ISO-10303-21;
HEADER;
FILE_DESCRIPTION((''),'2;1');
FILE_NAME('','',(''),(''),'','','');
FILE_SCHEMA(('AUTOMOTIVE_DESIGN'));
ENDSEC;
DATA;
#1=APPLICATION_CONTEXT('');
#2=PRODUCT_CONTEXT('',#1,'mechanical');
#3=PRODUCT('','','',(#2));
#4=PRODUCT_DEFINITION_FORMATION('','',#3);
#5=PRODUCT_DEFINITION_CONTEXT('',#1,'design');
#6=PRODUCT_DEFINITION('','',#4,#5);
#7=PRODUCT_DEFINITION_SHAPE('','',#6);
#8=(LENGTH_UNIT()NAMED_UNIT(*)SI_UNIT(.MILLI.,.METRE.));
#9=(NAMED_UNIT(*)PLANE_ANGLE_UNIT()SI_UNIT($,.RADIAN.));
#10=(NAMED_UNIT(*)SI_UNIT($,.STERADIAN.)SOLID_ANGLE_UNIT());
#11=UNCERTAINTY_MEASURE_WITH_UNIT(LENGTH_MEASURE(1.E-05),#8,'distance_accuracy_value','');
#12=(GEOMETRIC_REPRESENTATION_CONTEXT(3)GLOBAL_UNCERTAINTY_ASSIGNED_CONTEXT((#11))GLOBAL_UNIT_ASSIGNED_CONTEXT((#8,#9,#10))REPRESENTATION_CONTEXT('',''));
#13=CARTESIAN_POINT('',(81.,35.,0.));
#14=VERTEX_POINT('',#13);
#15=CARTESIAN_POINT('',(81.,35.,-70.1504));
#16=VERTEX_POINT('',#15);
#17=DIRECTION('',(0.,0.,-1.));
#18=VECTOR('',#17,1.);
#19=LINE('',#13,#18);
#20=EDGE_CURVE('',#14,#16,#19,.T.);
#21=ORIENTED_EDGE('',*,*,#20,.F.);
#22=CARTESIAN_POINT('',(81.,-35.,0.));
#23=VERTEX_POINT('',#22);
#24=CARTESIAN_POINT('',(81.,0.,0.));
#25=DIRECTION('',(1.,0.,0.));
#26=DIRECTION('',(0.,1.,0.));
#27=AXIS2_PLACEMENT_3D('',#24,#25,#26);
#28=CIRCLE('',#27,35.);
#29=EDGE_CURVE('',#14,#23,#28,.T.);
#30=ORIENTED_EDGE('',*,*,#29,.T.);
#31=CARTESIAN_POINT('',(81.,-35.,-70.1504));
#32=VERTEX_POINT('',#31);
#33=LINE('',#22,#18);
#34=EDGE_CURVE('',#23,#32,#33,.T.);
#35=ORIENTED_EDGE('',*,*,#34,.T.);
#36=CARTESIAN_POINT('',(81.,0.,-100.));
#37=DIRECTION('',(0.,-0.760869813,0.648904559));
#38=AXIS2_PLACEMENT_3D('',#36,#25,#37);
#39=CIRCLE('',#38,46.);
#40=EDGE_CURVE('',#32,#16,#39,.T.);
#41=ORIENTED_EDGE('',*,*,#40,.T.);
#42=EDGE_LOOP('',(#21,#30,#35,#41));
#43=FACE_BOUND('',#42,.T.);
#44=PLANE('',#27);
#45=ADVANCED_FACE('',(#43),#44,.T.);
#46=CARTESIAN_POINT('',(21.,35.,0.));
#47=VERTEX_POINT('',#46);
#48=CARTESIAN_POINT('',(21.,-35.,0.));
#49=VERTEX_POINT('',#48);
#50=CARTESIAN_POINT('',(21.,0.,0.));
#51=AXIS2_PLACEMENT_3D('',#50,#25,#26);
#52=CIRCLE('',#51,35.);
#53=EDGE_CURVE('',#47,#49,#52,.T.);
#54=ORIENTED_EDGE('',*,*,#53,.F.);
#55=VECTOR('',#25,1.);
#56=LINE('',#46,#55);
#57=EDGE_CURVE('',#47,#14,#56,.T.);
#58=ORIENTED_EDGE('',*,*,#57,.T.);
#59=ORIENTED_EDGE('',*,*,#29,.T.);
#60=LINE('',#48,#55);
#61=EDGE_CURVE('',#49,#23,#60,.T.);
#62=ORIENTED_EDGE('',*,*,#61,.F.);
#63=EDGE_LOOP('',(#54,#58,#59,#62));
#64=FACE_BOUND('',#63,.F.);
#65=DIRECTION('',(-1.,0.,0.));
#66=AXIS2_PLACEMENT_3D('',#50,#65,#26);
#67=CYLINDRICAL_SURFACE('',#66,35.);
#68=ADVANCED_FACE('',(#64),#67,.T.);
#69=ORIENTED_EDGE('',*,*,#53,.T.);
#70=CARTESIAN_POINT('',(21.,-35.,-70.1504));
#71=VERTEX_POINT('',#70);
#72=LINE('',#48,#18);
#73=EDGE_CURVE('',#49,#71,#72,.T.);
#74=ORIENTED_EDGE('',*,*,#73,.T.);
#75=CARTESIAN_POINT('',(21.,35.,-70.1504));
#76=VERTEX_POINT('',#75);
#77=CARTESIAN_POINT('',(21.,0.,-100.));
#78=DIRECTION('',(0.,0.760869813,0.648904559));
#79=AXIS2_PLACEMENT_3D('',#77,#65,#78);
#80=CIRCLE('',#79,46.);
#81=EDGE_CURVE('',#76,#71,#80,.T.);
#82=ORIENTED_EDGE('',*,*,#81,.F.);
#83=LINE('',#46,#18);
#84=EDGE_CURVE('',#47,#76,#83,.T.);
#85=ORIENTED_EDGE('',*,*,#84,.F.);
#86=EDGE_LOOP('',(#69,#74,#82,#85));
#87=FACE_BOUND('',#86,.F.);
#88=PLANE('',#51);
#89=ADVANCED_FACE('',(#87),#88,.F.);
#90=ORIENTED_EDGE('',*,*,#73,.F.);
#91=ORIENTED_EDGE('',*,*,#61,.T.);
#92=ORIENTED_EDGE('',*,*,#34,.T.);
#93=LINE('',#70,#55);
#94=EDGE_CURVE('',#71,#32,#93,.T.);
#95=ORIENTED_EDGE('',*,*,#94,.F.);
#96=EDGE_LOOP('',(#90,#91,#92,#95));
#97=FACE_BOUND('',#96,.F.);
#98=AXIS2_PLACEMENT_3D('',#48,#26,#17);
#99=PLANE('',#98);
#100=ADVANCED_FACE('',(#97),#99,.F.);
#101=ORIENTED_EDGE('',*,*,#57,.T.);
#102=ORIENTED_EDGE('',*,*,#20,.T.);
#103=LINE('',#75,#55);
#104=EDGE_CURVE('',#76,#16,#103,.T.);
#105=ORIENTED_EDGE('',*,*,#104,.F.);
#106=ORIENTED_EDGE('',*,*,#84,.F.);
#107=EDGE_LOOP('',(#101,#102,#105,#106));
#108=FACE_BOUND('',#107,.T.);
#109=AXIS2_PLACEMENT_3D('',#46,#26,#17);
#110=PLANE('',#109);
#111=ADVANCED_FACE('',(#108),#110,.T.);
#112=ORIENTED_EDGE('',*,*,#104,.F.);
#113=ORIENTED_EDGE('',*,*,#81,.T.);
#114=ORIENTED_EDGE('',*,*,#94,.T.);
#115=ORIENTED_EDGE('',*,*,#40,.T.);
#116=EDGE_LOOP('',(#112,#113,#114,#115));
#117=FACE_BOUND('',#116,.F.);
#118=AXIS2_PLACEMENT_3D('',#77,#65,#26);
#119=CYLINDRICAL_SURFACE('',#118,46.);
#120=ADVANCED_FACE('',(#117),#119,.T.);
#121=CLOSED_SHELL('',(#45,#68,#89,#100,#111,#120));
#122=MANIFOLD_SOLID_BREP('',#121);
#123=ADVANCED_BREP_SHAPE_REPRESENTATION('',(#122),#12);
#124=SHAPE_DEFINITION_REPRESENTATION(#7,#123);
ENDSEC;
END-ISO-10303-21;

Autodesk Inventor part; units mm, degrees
ref_plane "YZ Plane" through (0, 0, 0) normal (1, 0, 0) x (0, 1, 0)
ref_plane "XZ Plane" through (0, 0, 0) normal (0, 1, 0) x (-1, 0, 0)
ref_plane "XY Plane" through (0, 0, 0) normal (0, 0, 1) x (1, 0, 0)
sketch "Sketch1" plane through (0, 0, 0) normal (1, 0, 0) x (0, 1, 0)
  circle A0 centre (0, 0) radius 35
  circle A1 centre (0, -100) radius 46
  line L0 (-64.4, 0) -> (64.4, 0) construction
  line L1 (0, -182.2) -> (0, 71.2) construction
  line L2 (35, 0) -> (35, -70.1504)
  line L3 (-35, 0) -> (-35, -70.1504)
  circle A2 centre (0, 0) radius 15
  dimension "d0" = 70
  dimension "d1" = 92
  dimension "d2" = 70
  dimension "d3" = 100
  dimension "d12" = 30
extrude "Extrusion1" add sketch "Sketch1" along normal blind 60 contours A0 | L2 A1 L3 A0 | A1 | A2
extrude "Extrusion2" [suppressed]
fillet "Fillet1" [suppressed]
move or copy body "Move Body1" bodies to move or copy 1 copy no translate (21, 0, 0)
equation "\"d0\" = d2"
properties part number "hip_back"
